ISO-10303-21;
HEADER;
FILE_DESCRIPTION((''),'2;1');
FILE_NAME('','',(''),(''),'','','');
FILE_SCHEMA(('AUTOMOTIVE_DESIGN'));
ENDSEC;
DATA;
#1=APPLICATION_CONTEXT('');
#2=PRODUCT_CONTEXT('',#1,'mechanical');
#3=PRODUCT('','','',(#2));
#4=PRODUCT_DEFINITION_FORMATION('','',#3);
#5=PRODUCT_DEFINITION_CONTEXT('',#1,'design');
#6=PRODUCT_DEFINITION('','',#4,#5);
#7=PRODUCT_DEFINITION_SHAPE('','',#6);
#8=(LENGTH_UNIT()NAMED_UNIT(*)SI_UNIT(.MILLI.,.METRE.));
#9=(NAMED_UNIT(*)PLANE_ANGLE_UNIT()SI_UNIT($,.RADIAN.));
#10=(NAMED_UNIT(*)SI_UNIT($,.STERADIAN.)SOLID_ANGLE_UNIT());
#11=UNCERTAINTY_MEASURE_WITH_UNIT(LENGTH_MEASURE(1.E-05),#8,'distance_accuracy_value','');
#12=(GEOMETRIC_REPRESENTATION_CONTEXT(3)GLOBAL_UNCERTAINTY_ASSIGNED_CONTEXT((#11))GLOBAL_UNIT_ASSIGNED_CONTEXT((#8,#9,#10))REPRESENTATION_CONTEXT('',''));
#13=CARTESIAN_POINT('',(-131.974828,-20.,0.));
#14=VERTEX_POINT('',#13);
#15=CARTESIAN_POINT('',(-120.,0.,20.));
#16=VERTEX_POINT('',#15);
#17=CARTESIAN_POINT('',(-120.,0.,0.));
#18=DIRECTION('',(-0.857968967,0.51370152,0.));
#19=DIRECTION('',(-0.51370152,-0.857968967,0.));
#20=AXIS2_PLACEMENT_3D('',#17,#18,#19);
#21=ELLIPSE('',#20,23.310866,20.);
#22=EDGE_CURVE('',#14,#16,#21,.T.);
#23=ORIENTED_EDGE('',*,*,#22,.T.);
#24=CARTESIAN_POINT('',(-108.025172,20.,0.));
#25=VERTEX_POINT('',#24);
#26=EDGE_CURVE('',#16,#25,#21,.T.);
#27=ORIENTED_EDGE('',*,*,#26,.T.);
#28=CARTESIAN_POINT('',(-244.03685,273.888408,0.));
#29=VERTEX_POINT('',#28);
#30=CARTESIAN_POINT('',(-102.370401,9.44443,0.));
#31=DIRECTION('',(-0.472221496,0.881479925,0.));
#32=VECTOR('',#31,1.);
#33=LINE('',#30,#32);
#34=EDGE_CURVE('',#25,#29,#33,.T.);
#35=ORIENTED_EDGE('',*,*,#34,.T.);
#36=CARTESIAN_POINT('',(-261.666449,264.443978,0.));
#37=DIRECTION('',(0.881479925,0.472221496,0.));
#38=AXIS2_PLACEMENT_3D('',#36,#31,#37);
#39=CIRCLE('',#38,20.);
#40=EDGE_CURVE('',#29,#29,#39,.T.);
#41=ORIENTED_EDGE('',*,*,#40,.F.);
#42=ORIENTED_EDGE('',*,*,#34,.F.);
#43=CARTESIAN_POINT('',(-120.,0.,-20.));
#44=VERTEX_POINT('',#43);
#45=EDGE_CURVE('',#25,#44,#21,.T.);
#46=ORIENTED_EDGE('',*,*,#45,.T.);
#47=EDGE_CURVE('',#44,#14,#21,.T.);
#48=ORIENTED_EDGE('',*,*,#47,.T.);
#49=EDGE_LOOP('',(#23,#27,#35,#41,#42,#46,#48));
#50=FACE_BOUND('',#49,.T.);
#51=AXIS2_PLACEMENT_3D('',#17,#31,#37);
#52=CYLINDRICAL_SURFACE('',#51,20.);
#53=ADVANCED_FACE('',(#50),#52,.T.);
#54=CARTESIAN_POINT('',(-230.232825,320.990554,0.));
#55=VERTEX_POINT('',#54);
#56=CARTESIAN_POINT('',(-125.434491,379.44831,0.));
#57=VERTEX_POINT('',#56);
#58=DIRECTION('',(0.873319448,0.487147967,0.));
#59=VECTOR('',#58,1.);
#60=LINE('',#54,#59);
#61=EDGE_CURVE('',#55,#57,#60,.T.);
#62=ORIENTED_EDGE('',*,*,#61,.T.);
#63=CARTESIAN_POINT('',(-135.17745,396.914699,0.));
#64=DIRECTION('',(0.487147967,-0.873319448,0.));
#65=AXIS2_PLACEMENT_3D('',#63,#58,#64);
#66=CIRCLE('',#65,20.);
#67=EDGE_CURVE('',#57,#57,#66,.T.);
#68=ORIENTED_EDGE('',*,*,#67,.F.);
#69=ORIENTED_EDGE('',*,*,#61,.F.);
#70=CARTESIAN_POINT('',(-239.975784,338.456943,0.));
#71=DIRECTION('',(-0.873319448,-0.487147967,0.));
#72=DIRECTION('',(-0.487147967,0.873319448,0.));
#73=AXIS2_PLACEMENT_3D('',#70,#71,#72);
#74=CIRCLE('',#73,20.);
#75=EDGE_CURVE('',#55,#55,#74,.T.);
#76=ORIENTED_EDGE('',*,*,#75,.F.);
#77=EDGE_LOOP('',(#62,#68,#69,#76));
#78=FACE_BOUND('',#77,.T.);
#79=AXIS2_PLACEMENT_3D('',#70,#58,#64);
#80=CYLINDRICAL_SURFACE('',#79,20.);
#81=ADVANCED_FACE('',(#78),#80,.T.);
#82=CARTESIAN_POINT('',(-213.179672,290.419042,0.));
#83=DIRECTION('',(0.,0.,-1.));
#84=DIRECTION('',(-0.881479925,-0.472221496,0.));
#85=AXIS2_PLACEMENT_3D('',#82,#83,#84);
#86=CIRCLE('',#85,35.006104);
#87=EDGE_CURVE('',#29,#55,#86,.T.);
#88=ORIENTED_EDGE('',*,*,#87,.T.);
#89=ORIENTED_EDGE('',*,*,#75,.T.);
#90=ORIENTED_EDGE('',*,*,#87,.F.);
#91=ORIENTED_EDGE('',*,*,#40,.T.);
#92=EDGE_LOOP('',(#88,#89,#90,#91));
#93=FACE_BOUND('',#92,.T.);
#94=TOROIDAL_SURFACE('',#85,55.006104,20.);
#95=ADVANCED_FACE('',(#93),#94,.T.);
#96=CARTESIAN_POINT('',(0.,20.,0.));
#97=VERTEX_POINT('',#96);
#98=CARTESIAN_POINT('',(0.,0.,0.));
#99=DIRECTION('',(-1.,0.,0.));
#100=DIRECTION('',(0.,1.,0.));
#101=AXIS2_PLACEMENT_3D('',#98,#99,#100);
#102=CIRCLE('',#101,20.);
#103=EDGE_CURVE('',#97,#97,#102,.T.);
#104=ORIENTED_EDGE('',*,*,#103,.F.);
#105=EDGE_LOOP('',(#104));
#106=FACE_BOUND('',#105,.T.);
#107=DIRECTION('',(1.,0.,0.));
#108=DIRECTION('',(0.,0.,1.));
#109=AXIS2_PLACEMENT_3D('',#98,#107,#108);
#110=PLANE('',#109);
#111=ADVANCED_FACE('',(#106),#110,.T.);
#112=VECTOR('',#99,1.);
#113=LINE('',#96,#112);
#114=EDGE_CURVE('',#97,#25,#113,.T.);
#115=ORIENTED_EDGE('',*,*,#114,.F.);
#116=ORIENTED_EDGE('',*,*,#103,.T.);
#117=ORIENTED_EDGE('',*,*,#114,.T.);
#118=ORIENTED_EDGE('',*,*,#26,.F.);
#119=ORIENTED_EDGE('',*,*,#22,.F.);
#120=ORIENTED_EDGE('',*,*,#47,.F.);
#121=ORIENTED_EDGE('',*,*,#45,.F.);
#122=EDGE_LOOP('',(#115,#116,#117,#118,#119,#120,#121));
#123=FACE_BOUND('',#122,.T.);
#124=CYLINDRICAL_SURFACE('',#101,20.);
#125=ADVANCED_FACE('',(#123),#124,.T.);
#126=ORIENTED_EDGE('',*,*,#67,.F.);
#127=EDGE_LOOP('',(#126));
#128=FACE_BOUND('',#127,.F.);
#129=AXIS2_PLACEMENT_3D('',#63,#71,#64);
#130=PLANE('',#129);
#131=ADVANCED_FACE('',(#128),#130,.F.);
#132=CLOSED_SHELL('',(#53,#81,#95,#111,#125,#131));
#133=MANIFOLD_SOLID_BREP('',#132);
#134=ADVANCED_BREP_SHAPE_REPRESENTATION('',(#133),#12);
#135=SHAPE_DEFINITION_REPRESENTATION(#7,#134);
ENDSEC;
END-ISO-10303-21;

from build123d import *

# Parameters (mm, degrees)
F0_R = 20


with BuildPart() as f2:
    # F2: sweep along a path in F1
    with BuildLine(Plane.XY) as f2_path:
        Line((0, 0), (-120, 0))
        Line((-120, 0), (-261.6664487428, 264.4439776221))
        ThreePointArc((-261.6664487428, 264.4439776221), (-265.9656369441, 305.8888003852), (-239.9757840181, 338.4569427629))
        Line((-239.9757840181, 338.4569427629), (-135.177450265, 396.9146988144))
    # F0 (on Right) → F2 (sweep)
    with BuildSketch(Plane.YZ):
        Circle(F0_R)
    sweep(path=f2_path.line, transition=Transition.RIGHT)


solid = f2.part
